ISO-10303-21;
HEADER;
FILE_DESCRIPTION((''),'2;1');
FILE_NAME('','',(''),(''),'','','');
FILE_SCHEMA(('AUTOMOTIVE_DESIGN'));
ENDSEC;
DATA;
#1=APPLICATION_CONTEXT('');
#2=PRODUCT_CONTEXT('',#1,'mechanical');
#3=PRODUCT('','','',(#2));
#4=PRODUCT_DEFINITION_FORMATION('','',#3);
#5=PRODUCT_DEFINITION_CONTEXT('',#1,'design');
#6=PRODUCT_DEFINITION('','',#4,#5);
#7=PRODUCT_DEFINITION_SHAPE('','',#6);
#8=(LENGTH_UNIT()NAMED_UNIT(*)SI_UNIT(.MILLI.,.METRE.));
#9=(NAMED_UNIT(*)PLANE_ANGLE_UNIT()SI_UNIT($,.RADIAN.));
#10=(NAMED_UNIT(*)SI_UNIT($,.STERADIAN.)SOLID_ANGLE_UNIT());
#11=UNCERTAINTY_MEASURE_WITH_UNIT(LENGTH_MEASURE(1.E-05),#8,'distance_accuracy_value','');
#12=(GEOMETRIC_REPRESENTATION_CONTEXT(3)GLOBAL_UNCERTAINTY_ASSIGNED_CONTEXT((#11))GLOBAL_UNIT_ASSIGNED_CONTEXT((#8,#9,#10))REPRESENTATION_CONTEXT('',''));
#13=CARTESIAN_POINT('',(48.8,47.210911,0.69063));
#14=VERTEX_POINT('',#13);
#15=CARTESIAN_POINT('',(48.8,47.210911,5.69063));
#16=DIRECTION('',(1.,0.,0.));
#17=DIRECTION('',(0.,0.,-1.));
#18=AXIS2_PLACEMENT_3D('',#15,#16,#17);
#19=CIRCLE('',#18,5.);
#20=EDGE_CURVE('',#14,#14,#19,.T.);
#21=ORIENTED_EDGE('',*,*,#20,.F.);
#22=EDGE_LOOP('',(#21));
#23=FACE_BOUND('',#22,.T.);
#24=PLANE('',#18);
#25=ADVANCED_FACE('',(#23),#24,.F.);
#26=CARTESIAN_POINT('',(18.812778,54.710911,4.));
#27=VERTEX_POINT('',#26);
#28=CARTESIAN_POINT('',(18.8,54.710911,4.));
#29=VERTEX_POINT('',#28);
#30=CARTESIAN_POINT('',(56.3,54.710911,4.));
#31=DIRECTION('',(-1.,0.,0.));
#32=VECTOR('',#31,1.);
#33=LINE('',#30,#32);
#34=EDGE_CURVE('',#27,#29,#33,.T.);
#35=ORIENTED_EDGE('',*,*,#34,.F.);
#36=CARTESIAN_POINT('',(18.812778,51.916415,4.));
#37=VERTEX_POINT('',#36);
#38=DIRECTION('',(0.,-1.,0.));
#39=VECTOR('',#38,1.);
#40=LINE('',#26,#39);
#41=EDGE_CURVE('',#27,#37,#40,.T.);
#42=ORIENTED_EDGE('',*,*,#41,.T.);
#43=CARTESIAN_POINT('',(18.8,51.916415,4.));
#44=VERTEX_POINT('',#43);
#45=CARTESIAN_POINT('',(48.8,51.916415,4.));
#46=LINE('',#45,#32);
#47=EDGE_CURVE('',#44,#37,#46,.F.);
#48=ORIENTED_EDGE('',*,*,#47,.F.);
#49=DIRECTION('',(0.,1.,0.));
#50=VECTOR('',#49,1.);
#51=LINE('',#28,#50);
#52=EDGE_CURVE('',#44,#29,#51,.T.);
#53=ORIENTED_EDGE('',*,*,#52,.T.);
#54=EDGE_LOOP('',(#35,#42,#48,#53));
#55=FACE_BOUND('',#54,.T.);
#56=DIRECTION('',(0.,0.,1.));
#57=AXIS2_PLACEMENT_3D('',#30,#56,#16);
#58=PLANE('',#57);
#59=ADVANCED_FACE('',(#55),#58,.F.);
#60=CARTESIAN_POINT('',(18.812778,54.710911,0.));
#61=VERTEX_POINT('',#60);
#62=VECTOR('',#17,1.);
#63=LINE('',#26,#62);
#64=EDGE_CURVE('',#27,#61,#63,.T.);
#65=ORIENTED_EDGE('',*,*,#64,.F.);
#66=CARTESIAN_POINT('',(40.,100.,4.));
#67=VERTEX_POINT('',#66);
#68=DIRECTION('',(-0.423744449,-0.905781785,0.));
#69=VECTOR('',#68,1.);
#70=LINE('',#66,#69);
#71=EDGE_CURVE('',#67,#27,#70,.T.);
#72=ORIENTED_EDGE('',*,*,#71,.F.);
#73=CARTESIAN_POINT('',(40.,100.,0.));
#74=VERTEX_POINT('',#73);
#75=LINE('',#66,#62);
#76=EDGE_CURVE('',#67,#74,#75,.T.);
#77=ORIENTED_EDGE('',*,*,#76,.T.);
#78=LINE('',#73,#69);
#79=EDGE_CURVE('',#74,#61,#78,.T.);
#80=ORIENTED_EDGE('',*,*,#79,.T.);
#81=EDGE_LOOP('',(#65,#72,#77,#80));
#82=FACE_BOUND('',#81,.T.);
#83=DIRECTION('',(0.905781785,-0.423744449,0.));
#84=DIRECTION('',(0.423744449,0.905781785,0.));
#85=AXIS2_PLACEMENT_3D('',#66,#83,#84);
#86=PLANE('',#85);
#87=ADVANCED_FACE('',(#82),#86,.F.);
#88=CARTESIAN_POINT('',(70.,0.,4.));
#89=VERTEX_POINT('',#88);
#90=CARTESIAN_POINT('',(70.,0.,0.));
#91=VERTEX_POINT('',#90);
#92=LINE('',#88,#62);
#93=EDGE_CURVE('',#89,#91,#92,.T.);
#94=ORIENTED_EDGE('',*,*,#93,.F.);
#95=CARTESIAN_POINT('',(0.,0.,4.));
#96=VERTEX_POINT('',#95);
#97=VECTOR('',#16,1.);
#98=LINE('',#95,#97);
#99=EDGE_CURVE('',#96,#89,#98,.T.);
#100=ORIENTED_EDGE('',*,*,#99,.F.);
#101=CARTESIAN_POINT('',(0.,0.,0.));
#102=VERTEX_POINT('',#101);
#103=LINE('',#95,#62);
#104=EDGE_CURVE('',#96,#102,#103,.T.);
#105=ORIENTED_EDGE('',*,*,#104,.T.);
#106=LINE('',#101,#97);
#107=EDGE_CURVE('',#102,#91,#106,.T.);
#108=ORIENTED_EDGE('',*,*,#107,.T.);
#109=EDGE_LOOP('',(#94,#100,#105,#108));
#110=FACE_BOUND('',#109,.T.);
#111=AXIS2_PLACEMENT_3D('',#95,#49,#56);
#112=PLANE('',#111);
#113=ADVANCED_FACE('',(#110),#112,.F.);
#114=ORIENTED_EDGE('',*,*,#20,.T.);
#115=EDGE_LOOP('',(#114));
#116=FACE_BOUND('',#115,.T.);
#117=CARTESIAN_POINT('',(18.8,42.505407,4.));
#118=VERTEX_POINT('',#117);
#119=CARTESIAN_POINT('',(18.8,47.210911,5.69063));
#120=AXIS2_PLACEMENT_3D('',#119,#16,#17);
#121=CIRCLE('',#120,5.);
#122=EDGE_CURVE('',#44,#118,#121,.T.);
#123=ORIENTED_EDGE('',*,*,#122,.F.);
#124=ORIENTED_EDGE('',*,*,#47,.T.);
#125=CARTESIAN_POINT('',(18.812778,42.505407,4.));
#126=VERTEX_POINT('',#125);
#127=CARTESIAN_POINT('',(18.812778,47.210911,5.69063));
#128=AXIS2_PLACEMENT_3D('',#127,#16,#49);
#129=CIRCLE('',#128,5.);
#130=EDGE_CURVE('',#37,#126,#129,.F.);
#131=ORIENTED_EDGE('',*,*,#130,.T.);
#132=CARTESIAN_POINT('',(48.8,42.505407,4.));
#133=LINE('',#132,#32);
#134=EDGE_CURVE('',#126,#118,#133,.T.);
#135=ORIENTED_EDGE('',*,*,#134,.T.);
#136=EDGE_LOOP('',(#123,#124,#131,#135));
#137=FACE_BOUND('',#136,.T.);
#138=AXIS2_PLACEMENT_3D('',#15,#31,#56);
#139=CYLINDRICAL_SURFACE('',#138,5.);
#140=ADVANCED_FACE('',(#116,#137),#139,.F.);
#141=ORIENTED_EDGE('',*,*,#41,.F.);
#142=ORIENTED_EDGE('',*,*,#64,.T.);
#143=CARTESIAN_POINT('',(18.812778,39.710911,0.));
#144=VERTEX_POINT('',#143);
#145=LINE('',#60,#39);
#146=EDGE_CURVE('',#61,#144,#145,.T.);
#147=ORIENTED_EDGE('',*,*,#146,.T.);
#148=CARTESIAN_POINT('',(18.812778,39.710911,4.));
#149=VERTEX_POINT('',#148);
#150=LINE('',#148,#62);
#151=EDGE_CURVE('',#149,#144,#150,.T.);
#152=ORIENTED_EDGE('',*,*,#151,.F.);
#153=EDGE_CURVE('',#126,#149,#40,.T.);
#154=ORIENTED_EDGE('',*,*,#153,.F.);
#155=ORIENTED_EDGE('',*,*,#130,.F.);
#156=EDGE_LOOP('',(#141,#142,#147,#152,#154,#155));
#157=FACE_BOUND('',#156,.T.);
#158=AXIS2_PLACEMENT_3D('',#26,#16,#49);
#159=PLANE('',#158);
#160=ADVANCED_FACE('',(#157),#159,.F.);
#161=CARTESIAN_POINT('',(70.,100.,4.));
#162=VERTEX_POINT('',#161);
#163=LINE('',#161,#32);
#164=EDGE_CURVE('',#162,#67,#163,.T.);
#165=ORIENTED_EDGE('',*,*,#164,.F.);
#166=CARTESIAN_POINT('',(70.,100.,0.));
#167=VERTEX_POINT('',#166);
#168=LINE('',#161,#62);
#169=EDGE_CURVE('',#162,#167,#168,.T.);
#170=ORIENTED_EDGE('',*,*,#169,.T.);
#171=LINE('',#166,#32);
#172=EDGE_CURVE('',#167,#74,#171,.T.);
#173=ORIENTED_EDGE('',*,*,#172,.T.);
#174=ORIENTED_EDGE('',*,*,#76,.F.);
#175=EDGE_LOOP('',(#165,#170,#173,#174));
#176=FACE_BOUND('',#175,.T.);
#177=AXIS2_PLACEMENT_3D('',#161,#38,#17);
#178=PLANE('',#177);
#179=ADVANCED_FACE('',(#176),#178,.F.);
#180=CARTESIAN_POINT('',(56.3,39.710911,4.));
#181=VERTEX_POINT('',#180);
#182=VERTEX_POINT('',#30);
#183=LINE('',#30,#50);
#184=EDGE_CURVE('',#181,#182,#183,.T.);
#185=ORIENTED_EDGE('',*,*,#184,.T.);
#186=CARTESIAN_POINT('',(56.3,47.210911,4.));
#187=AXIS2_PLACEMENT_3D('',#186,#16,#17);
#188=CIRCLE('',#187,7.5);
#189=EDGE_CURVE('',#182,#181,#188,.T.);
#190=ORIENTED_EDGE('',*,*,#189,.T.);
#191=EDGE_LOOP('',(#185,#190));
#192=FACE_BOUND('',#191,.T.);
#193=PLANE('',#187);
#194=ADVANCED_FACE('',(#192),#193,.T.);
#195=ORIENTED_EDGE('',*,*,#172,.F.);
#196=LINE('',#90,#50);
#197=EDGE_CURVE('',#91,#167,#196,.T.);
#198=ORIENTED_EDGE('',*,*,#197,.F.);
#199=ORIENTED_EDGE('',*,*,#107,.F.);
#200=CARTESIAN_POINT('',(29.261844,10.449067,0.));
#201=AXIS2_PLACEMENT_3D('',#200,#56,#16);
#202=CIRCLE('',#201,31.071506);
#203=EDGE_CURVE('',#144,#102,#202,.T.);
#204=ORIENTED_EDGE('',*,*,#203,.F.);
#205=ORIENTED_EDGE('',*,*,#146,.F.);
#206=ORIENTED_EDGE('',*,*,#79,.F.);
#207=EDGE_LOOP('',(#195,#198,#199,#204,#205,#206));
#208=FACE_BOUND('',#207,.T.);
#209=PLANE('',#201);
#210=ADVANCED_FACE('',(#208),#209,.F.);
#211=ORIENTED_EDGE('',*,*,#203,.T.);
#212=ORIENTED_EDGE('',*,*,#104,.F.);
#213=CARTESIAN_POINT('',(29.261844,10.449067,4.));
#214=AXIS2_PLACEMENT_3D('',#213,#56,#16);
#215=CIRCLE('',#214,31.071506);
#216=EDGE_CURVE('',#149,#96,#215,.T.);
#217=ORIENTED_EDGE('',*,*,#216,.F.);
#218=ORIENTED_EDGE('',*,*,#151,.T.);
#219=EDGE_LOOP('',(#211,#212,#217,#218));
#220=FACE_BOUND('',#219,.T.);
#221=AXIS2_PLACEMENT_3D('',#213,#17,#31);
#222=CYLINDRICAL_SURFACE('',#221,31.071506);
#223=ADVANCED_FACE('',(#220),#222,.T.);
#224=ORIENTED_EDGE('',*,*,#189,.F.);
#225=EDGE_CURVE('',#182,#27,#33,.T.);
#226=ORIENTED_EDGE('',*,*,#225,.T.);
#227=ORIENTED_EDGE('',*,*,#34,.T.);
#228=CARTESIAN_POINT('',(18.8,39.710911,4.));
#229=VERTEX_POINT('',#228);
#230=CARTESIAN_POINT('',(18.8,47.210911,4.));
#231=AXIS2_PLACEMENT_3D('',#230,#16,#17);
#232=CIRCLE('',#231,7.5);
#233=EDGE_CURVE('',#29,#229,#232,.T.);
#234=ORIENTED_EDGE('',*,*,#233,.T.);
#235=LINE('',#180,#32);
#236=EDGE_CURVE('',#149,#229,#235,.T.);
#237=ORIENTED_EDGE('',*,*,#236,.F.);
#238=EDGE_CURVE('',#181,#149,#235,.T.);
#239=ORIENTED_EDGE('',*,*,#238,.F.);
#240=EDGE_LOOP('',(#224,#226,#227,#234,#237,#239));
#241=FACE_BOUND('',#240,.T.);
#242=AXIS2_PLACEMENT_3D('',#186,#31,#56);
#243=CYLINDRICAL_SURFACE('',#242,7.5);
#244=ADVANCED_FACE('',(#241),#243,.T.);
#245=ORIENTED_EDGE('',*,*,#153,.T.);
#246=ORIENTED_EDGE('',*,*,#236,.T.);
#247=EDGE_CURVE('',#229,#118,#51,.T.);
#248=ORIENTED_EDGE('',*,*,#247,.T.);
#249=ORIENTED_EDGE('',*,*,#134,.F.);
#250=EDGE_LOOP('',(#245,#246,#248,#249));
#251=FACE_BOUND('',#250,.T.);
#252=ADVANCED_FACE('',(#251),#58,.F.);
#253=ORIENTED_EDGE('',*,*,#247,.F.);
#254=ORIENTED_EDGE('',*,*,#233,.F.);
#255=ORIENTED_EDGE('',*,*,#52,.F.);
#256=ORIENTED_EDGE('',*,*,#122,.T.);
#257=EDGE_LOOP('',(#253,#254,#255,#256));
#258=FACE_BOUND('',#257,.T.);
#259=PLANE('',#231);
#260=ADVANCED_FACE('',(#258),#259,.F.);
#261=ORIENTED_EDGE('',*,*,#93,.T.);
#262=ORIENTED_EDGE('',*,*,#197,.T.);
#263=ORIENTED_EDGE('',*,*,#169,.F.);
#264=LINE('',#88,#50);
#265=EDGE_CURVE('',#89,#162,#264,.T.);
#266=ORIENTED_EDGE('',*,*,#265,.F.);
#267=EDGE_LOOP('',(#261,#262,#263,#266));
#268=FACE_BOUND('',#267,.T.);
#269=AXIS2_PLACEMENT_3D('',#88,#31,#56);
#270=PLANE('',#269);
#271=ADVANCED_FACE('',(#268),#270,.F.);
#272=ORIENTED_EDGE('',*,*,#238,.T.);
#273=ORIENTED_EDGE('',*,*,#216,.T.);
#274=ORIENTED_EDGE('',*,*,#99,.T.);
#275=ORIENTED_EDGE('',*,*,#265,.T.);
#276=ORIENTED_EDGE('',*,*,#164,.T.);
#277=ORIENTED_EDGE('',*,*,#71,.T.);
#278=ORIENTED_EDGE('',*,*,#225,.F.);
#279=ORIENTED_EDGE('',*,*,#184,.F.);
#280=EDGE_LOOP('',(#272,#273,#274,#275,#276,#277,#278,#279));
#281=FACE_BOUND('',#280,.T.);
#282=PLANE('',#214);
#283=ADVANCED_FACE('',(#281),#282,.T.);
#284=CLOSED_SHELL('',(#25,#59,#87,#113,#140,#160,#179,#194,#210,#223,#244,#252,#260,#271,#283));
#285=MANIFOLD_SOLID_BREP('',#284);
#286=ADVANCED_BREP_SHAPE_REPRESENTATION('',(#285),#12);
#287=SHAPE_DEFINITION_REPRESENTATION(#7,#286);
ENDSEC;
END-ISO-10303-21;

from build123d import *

# Parameters (mm, degrees)
BOSS_EXTRUDE1_DEPTH = 4
BOSS_EXTRUDE2_DEPTH = 37.5
SKETCH7_R           = 5
CUT_EXTRUDE1_DEPTH  = 30


with BuildPart() as part:
    # Sketch1 → Boss-Extrude1 (new body)
    with BuildSketch(Plane.XY):
        with BuildLine():
            Line((0, 0), (70, 0))
            Line((70, 0), (70, 100))
            Line((70, 100), (40, 100))
            Line((40, 100), (18.812777554, 54.710910751))
            Line((18.812777554, 54.710910751), (18.812777554, 39.710910751))
            ThreePointArc((18.812777554, 39.710910751), (1.181989874, 23.75170918), (0, 0))
        make_face()
    extrude(amount=BOSS_EXTRUDE1_DEPTH)

    # Sketch5 → Boss-Extrude2 (add)
    with BuildSketch(Plane(origin=(18.8, 0, 0), x_dir=(0, 0, -1), z_dir=(1, 0, 0))):
        with BuildLine():
            Line((-4, 54.710910751), (-4, 39.710910751))
            ThreePointArc((-4, 39.710910751), (-11.5, 47.210910751), (-4, 54.710910751))
        make_face()
    extrude(amount=BOSS_EXTRUDE2_DEPTH)

    # Sketch7 → Cut-Extrude1 (cut)
    with BuildSketch(Plane(origin=(18.8, 0, 0), x_dir=(0, 0, -1), z_dir=(1, 0, 0))):
        with Locations(Location((-5.690630422, 47.210910751, 0), (0, 0, 289.762746065))):
            Circle(SKETCH7_R)
    extrude(amount=CUT_EXTRUDE1_DEPTH, mode=Mode.SUBTRACT)


solid = part.part
